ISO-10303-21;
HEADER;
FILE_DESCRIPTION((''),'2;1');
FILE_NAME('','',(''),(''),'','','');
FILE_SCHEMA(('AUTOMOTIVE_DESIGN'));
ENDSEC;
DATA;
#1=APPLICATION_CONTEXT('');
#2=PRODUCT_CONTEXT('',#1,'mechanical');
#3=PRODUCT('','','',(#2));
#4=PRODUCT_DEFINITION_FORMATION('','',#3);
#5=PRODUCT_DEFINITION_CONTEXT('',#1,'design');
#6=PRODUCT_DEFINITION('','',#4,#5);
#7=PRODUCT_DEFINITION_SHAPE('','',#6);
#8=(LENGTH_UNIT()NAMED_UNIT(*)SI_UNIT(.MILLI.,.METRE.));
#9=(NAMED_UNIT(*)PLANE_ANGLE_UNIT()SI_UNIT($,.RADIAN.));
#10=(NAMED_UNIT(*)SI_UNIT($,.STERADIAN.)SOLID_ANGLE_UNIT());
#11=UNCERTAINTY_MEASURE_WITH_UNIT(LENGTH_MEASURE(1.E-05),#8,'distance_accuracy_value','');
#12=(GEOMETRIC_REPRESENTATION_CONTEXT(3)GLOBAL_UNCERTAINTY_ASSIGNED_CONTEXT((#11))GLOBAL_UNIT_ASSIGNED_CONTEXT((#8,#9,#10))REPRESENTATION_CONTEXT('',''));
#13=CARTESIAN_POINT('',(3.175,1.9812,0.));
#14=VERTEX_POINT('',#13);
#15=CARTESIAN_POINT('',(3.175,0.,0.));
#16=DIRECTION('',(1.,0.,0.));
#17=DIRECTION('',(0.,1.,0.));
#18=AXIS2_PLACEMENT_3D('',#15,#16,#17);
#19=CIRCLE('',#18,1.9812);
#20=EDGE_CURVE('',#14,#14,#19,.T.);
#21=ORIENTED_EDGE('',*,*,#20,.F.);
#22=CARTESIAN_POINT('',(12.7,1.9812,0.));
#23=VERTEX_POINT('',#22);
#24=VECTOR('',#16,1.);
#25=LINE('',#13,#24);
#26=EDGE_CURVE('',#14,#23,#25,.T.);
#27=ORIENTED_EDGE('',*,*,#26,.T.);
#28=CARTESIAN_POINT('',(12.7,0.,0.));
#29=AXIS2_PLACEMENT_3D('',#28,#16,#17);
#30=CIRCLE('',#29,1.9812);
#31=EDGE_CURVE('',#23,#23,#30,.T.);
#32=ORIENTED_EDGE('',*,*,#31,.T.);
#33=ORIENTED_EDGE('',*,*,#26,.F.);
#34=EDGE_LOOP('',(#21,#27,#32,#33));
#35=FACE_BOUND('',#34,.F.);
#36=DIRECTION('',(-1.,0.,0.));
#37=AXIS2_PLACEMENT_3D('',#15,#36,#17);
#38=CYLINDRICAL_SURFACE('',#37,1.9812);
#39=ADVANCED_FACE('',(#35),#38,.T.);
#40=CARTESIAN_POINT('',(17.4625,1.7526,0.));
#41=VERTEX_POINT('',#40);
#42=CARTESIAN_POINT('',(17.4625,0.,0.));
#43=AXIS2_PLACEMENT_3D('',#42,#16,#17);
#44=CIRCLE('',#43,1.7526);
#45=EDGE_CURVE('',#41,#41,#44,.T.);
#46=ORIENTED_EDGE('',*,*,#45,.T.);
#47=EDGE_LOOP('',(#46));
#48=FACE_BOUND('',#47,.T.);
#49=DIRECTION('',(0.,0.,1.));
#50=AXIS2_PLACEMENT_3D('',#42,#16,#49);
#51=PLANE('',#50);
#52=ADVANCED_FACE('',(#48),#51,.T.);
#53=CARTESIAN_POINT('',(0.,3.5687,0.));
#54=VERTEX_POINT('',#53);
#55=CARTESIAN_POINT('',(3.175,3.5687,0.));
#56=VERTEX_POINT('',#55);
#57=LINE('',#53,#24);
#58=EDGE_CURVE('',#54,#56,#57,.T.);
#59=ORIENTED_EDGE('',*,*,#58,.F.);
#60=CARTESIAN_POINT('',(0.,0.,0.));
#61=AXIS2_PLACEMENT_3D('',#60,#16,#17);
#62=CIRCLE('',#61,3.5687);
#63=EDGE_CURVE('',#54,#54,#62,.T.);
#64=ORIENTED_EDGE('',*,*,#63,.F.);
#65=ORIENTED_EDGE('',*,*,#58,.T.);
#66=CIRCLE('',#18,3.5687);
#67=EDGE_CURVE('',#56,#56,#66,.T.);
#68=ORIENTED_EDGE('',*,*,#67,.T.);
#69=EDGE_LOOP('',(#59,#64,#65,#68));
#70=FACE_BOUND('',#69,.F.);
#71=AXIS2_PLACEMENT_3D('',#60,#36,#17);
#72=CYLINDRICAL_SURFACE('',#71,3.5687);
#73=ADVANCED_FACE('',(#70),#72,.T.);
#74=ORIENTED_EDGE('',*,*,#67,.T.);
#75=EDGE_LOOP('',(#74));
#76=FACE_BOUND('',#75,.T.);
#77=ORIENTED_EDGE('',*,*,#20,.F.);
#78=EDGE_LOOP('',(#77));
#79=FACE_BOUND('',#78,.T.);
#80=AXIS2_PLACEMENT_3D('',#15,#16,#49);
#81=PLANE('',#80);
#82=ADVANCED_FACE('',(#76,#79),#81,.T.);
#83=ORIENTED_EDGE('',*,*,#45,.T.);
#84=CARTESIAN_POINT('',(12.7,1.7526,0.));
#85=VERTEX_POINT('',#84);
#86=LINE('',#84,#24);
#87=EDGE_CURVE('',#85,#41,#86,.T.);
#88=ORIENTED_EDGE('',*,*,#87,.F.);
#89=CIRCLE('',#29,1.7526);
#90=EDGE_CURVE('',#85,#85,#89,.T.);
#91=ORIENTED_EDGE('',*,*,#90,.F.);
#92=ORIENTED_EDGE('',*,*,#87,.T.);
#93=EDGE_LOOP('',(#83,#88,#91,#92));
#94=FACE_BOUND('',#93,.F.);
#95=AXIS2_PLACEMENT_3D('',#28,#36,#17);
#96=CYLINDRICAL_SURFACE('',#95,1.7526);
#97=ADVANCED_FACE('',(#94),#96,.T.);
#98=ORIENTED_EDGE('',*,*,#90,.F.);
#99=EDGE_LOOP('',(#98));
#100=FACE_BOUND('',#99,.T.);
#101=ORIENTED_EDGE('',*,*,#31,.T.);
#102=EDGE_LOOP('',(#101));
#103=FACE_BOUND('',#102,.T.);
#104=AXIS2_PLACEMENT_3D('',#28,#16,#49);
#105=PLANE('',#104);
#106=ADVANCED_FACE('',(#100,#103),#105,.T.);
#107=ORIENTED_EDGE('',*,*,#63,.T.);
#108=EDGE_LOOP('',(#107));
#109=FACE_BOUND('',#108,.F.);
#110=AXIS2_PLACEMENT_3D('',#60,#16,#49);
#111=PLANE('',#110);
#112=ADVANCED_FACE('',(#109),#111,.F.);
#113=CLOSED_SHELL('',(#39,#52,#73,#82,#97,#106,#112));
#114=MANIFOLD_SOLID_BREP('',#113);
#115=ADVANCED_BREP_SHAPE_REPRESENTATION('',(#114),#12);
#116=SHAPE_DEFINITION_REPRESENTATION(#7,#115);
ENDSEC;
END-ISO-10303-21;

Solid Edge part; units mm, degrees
sketch "Sketch1" plane through (0, 0, 0) normal (1, 0, 0) x (0, 1, 0)
  circle A0 centre (0, 0) radius 3.5687
extrude "Protrusion1" add sketch "Sketch1" along normal blind 3.175
sketch "Sketch2" plane through (3.175, 0, 0) normal (1, 0, 0) x (0, 1, 0)
  circle A0 centre (0, 0) radius 1.9812
extrude "ExtrudedProtrusion_2" add sketch "Sketch2" along normal blind 9.525
sketch "Sketch3" plane through (12.7, 0, 0) normal (1, 0, 0) x (0, 1, 0)
  circle A0 centre (0, 0) radius 1.7526
extrude "ExtrudedProtrusion_3" add sketch "Sketch3" along normal blind 4.7625
